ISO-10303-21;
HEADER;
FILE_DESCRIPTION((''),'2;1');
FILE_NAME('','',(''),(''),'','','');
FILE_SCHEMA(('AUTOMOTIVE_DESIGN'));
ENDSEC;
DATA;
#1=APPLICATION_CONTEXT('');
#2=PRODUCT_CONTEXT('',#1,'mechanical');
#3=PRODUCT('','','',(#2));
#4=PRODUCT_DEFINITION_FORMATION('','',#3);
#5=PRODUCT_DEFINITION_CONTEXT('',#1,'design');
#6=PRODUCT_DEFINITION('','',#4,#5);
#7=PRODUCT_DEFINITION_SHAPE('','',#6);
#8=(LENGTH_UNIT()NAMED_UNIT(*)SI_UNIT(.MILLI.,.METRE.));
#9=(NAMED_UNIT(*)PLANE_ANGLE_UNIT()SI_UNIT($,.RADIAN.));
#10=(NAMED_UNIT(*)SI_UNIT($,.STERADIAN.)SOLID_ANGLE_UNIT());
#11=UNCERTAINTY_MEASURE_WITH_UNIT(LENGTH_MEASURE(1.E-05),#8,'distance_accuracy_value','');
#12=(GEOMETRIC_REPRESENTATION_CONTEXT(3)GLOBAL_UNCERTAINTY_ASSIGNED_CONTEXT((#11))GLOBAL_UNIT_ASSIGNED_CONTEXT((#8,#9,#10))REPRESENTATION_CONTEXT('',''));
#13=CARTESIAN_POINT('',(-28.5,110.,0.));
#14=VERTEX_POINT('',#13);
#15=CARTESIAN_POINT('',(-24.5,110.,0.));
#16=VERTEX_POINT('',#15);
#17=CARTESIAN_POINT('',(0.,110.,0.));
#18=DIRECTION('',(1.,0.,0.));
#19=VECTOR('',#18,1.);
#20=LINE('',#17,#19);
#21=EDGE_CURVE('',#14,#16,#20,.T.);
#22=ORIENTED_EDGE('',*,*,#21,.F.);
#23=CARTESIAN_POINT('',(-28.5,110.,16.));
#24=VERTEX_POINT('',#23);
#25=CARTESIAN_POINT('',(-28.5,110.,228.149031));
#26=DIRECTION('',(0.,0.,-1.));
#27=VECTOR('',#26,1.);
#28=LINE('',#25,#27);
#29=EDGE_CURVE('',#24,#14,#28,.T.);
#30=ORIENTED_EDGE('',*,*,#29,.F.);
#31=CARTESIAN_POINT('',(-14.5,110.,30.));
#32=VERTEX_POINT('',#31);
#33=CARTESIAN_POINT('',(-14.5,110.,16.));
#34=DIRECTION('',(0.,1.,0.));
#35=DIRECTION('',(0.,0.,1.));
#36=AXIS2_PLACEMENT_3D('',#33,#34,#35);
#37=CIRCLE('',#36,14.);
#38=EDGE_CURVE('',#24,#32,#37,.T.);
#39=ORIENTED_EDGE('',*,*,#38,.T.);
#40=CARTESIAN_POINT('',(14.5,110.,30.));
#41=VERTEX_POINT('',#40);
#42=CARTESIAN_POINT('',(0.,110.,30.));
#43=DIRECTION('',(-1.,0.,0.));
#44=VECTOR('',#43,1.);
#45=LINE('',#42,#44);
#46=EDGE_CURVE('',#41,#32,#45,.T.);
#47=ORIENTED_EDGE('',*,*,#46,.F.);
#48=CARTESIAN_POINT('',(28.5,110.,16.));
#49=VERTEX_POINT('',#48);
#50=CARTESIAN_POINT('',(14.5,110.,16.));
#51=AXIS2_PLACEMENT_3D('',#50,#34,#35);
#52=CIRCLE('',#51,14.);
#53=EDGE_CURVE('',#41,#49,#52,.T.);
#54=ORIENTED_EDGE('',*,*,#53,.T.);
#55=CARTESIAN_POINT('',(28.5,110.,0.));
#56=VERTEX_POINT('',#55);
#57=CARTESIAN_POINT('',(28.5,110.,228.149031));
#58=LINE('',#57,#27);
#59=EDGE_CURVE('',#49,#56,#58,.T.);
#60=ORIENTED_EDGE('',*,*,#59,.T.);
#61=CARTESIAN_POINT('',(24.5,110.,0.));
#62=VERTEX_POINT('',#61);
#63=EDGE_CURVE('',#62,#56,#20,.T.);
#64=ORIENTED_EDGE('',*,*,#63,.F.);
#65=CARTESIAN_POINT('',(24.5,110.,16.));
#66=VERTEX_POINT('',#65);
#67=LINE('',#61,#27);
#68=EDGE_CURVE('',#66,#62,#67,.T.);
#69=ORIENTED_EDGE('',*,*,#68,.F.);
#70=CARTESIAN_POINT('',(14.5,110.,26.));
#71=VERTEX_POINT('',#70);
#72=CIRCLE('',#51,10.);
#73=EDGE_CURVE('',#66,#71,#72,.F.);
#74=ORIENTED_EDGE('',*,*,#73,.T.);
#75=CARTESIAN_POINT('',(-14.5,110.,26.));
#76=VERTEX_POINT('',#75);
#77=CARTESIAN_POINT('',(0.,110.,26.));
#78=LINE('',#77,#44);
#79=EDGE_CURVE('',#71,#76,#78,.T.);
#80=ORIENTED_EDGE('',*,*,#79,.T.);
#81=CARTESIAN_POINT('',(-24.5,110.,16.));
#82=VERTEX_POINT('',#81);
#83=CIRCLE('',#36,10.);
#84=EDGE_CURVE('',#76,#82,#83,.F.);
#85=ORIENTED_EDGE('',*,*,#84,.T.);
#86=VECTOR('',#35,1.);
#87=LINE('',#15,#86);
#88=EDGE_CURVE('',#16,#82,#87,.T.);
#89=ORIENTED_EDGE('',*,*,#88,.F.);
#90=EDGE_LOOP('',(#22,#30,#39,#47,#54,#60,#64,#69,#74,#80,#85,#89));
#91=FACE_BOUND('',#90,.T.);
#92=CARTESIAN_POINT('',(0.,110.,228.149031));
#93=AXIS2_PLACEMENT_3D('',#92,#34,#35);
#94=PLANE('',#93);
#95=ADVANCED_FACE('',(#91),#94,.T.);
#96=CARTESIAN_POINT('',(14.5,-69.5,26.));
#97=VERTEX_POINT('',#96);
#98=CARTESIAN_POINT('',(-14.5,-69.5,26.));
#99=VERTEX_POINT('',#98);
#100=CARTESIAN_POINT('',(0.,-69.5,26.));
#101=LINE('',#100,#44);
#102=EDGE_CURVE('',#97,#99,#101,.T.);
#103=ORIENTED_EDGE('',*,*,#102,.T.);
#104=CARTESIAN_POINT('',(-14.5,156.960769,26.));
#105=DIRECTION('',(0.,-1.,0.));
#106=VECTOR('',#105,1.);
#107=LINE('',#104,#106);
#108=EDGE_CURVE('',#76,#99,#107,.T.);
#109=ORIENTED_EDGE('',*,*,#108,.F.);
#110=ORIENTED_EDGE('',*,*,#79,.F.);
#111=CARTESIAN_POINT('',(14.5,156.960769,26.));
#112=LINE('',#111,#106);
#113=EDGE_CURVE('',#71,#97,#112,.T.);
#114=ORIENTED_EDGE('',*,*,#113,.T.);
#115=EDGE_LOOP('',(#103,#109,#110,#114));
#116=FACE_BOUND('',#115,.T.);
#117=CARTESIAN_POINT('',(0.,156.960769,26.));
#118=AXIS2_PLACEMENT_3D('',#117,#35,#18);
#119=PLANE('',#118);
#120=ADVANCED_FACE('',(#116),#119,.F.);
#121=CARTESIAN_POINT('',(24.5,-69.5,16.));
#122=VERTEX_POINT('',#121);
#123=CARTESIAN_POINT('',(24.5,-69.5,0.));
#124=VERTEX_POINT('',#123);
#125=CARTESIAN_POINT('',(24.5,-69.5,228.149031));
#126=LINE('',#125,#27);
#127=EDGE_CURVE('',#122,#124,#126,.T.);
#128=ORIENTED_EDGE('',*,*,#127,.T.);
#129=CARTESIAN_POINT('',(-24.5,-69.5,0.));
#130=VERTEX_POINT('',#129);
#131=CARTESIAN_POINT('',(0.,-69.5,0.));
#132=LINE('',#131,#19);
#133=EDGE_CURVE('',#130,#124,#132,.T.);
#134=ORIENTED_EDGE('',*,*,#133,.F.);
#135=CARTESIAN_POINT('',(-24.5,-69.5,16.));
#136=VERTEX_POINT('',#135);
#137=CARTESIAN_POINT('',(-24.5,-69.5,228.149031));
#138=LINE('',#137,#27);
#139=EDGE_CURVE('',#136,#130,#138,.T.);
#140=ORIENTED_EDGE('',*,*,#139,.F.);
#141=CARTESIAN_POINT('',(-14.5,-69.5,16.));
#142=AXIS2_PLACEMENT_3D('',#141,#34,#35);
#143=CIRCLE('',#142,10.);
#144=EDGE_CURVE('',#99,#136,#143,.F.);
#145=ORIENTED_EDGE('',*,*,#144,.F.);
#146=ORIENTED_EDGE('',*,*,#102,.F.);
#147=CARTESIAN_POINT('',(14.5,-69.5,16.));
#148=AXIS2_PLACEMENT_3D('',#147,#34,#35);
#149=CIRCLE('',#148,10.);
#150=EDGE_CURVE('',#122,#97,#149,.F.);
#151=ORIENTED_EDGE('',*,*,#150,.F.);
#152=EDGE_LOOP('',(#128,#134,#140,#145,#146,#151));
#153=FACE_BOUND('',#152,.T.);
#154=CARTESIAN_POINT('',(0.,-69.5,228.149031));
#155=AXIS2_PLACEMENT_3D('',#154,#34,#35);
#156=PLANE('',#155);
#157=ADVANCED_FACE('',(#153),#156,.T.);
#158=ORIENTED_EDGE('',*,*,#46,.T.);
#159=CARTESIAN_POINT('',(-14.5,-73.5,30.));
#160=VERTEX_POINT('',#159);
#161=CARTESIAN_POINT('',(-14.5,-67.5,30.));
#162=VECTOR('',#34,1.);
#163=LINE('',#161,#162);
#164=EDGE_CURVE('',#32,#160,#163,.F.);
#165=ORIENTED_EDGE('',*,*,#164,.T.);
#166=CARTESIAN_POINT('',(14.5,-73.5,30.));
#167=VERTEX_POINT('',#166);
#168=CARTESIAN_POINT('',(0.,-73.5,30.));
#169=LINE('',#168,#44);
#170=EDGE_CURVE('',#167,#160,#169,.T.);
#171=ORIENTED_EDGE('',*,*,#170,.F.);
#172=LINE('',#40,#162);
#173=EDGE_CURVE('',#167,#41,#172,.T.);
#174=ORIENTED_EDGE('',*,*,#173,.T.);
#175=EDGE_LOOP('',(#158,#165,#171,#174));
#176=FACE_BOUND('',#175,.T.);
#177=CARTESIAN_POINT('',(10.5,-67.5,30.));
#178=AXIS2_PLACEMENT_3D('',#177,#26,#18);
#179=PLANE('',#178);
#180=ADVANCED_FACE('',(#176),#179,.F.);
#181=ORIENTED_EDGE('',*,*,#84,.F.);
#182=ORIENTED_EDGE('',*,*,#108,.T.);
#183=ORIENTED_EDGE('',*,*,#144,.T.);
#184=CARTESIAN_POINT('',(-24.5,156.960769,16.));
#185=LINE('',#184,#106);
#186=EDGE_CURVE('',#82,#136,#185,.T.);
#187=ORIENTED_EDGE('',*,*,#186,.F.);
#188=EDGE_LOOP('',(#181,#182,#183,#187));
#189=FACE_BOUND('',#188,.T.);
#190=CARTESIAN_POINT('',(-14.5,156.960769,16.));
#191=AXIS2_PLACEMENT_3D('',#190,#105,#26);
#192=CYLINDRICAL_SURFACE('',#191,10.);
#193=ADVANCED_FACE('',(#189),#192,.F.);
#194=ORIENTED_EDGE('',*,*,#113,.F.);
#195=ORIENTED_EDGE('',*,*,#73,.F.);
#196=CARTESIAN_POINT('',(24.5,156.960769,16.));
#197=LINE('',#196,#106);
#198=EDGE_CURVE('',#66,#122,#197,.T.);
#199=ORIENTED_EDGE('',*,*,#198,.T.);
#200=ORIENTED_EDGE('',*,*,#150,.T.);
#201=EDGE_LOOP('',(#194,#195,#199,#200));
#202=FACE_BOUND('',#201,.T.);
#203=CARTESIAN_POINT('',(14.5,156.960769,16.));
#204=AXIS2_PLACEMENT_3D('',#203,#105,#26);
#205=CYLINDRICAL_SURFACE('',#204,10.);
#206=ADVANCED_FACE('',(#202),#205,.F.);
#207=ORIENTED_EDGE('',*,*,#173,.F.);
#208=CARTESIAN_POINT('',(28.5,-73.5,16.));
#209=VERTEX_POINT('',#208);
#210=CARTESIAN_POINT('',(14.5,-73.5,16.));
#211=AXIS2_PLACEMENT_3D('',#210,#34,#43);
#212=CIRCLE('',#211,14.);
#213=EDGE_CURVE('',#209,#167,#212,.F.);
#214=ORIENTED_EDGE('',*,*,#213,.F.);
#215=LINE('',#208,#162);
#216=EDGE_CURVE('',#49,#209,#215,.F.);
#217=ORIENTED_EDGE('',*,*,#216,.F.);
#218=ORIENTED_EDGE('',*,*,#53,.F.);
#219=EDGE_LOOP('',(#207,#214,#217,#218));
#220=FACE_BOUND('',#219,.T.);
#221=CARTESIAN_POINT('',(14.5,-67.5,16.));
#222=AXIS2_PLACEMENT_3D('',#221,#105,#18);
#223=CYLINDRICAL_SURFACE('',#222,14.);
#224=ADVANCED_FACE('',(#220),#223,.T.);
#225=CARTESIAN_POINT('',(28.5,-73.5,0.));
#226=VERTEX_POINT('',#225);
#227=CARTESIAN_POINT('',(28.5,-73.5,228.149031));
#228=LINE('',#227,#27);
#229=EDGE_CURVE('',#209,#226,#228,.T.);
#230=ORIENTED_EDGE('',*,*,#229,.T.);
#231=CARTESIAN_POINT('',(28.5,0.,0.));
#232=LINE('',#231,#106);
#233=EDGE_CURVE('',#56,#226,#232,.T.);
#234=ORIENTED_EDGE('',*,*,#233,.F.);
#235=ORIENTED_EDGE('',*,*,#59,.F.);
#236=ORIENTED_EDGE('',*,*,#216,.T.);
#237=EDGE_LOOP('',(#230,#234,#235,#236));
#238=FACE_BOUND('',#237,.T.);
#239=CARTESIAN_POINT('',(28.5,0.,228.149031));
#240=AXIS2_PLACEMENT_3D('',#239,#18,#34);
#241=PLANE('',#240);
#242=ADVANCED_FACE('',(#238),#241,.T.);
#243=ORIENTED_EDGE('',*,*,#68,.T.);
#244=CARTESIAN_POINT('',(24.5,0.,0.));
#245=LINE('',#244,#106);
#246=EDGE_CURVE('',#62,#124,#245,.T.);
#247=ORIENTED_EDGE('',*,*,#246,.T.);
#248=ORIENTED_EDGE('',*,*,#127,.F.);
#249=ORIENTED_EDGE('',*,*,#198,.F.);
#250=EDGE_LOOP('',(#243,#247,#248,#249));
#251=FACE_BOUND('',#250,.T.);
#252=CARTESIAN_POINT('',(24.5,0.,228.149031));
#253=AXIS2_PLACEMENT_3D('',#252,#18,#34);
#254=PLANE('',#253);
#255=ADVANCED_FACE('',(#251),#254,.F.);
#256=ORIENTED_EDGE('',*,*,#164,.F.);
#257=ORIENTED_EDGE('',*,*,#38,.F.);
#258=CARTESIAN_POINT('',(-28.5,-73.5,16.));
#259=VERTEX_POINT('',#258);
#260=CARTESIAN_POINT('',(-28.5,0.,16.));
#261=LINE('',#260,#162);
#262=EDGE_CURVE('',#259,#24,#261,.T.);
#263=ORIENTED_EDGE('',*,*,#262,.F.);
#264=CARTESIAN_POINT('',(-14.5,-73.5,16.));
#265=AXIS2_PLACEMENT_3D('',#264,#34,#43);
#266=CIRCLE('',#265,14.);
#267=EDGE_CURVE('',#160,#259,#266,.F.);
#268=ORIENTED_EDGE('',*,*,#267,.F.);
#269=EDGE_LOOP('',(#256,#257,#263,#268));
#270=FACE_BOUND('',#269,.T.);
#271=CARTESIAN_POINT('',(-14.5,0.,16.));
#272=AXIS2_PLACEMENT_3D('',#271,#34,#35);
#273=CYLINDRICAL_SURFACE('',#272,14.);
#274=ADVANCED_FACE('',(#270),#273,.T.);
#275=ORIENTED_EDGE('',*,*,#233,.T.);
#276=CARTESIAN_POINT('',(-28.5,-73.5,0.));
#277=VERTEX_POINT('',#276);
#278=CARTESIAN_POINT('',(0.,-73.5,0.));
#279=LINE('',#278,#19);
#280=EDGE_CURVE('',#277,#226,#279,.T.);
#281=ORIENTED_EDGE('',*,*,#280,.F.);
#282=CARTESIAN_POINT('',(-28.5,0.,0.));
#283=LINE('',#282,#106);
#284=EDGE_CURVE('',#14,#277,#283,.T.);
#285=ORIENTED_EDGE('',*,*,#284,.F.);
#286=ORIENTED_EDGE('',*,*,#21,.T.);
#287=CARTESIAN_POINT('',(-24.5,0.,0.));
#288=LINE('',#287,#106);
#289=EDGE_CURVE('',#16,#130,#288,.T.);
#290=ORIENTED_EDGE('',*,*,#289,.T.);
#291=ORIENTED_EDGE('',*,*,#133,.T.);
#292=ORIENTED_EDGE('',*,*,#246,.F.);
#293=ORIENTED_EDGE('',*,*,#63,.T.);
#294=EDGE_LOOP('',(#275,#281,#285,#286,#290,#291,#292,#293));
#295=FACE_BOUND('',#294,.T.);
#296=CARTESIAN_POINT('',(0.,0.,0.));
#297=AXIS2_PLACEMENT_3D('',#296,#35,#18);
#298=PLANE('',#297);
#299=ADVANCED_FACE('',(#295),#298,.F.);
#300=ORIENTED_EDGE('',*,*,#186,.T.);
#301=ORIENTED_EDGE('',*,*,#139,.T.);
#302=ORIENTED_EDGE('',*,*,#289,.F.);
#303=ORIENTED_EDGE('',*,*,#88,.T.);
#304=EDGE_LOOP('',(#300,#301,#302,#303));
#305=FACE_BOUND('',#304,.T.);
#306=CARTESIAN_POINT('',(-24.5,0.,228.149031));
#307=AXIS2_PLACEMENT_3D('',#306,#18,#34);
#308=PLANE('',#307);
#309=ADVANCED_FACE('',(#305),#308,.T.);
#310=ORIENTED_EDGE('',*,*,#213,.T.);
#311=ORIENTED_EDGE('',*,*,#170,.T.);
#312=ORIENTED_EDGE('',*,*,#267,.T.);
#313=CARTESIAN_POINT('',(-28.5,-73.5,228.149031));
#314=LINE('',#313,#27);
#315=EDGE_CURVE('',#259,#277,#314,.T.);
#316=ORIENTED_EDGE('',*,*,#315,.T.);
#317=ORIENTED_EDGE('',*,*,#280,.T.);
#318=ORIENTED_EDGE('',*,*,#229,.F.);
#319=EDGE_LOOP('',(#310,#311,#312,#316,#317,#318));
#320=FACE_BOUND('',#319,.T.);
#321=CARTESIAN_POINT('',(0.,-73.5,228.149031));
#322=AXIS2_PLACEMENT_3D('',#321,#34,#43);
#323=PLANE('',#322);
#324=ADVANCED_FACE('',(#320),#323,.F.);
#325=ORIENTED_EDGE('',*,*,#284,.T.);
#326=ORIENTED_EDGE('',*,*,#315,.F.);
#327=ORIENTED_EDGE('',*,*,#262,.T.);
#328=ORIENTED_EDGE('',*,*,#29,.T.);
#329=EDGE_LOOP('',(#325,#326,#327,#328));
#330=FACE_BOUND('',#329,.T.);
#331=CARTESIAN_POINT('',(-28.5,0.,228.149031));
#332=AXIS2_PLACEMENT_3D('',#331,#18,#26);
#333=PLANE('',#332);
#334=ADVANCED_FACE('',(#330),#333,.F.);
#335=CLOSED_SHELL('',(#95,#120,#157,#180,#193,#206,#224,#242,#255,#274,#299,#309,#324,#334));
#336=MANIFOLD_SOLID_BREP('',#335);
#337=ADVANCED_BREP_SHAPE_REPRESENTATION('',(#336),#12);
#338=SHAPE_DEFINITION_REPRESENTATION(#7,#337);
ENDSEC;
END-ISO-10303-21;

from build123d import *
from build123d.topology import SkipClean

# Parameters (mm, degrees)
SKETCH1_W           = 57
SKETCH1_H           = 183.5
SKETCH1_W_2         = 49
SKETCH1_H_2         = 175.5
BOSS_EXTRUDE1_DEPTH = 30
BOSS_EXTRUDE2_DEPTH = 175.5
FILLET1_R           = 14
CUT_EXTRUDE1_DEPTH  = 179.5


with BuildPart() as part:
    # Sketch1 → Boss-Extrude1 (new body)
    with BuildSketch(Plane.XY):
        with Locations((0, 18.25)):
            Rectangle(SKETCH1_W, SKETCH1_H)
        with Locations((0, 18.25)):
            Rectangle(SKETCH1_W_2, SKETCH1_H_2, mode=Mode.SUBTRACT)
    extrude(amount=BOSS_EXTRUDE1_DEPTH)

    # Sketch2 → Boss-Extrude2 (add)
    with BuildSketch(Plane(origin=(0, -69.5, 0), x_dir=(1, 0, 0), z_dir=(0, 1, 0))):
        with BuildLine():
            Line((14.5, -26), (24.5, -26))
            Line((24.5, -26), (24.5, -16))
            ThreePointArc((24.5, -16), (21.571067812, -23.071067812), (14.5, -26))
        make_face()
        Polygon((-24.5, -30), (24.5, -30), (24.5, -26), (14.5, -26), (-14.5, -26), (-24.5, -26), align=None)
        with BuildLine():
            Line((-24.5, -16), (-24.5, -26))
            Line((-24.5, -26), (-14.5, -26))
            ThreePointArc((-14.5, -26), (-21.571067812, -23.071067812), (-24.5, -16))
        make_face()
    extrude(amount=BOSS_EXTRUDE2_DEPTH)

    # Fillet1
    fillet1_edges = [part.edges().sort_by_distance(p)[0] for p in [
        (-28.5, 18.25, 30),
        (28.5, 18.25, 30),
    ]]
    fillet(fillet1_edges, radius=FILLET1_R)

    # Sketch2<4> → Cut-Extrude1 (cut)
    with SkipClean():  # the faces are left unmerged after this step: merging them gives an invalid solid
        with BuildSketch(Plane(origin=(0, -69.5, 0), x_dir=(1, 0, 0), z_dir=(0, 1, 0))):
            with BuildLine():
                Line((-14.5, -26), (14.5, -26))
                ThreePointArc((14.5, -26), (21.571067812, -23.071067812), (24.5, -16))
                Line((24.5, -16), (24.5, 0))
                Line((24.5, 0), (-24.5, 0))
                Line((-24.5, 0), (-24.5, -16))
                ThreePointArc((-24.5, -16), (-21.571067812, -23.071067812), (-14.5, -26))
            make_face()
        extrude(amount=CUT_EXTRUDE1_DEPTH, mode=Mode.SUBTRACT)


solid = part.part
